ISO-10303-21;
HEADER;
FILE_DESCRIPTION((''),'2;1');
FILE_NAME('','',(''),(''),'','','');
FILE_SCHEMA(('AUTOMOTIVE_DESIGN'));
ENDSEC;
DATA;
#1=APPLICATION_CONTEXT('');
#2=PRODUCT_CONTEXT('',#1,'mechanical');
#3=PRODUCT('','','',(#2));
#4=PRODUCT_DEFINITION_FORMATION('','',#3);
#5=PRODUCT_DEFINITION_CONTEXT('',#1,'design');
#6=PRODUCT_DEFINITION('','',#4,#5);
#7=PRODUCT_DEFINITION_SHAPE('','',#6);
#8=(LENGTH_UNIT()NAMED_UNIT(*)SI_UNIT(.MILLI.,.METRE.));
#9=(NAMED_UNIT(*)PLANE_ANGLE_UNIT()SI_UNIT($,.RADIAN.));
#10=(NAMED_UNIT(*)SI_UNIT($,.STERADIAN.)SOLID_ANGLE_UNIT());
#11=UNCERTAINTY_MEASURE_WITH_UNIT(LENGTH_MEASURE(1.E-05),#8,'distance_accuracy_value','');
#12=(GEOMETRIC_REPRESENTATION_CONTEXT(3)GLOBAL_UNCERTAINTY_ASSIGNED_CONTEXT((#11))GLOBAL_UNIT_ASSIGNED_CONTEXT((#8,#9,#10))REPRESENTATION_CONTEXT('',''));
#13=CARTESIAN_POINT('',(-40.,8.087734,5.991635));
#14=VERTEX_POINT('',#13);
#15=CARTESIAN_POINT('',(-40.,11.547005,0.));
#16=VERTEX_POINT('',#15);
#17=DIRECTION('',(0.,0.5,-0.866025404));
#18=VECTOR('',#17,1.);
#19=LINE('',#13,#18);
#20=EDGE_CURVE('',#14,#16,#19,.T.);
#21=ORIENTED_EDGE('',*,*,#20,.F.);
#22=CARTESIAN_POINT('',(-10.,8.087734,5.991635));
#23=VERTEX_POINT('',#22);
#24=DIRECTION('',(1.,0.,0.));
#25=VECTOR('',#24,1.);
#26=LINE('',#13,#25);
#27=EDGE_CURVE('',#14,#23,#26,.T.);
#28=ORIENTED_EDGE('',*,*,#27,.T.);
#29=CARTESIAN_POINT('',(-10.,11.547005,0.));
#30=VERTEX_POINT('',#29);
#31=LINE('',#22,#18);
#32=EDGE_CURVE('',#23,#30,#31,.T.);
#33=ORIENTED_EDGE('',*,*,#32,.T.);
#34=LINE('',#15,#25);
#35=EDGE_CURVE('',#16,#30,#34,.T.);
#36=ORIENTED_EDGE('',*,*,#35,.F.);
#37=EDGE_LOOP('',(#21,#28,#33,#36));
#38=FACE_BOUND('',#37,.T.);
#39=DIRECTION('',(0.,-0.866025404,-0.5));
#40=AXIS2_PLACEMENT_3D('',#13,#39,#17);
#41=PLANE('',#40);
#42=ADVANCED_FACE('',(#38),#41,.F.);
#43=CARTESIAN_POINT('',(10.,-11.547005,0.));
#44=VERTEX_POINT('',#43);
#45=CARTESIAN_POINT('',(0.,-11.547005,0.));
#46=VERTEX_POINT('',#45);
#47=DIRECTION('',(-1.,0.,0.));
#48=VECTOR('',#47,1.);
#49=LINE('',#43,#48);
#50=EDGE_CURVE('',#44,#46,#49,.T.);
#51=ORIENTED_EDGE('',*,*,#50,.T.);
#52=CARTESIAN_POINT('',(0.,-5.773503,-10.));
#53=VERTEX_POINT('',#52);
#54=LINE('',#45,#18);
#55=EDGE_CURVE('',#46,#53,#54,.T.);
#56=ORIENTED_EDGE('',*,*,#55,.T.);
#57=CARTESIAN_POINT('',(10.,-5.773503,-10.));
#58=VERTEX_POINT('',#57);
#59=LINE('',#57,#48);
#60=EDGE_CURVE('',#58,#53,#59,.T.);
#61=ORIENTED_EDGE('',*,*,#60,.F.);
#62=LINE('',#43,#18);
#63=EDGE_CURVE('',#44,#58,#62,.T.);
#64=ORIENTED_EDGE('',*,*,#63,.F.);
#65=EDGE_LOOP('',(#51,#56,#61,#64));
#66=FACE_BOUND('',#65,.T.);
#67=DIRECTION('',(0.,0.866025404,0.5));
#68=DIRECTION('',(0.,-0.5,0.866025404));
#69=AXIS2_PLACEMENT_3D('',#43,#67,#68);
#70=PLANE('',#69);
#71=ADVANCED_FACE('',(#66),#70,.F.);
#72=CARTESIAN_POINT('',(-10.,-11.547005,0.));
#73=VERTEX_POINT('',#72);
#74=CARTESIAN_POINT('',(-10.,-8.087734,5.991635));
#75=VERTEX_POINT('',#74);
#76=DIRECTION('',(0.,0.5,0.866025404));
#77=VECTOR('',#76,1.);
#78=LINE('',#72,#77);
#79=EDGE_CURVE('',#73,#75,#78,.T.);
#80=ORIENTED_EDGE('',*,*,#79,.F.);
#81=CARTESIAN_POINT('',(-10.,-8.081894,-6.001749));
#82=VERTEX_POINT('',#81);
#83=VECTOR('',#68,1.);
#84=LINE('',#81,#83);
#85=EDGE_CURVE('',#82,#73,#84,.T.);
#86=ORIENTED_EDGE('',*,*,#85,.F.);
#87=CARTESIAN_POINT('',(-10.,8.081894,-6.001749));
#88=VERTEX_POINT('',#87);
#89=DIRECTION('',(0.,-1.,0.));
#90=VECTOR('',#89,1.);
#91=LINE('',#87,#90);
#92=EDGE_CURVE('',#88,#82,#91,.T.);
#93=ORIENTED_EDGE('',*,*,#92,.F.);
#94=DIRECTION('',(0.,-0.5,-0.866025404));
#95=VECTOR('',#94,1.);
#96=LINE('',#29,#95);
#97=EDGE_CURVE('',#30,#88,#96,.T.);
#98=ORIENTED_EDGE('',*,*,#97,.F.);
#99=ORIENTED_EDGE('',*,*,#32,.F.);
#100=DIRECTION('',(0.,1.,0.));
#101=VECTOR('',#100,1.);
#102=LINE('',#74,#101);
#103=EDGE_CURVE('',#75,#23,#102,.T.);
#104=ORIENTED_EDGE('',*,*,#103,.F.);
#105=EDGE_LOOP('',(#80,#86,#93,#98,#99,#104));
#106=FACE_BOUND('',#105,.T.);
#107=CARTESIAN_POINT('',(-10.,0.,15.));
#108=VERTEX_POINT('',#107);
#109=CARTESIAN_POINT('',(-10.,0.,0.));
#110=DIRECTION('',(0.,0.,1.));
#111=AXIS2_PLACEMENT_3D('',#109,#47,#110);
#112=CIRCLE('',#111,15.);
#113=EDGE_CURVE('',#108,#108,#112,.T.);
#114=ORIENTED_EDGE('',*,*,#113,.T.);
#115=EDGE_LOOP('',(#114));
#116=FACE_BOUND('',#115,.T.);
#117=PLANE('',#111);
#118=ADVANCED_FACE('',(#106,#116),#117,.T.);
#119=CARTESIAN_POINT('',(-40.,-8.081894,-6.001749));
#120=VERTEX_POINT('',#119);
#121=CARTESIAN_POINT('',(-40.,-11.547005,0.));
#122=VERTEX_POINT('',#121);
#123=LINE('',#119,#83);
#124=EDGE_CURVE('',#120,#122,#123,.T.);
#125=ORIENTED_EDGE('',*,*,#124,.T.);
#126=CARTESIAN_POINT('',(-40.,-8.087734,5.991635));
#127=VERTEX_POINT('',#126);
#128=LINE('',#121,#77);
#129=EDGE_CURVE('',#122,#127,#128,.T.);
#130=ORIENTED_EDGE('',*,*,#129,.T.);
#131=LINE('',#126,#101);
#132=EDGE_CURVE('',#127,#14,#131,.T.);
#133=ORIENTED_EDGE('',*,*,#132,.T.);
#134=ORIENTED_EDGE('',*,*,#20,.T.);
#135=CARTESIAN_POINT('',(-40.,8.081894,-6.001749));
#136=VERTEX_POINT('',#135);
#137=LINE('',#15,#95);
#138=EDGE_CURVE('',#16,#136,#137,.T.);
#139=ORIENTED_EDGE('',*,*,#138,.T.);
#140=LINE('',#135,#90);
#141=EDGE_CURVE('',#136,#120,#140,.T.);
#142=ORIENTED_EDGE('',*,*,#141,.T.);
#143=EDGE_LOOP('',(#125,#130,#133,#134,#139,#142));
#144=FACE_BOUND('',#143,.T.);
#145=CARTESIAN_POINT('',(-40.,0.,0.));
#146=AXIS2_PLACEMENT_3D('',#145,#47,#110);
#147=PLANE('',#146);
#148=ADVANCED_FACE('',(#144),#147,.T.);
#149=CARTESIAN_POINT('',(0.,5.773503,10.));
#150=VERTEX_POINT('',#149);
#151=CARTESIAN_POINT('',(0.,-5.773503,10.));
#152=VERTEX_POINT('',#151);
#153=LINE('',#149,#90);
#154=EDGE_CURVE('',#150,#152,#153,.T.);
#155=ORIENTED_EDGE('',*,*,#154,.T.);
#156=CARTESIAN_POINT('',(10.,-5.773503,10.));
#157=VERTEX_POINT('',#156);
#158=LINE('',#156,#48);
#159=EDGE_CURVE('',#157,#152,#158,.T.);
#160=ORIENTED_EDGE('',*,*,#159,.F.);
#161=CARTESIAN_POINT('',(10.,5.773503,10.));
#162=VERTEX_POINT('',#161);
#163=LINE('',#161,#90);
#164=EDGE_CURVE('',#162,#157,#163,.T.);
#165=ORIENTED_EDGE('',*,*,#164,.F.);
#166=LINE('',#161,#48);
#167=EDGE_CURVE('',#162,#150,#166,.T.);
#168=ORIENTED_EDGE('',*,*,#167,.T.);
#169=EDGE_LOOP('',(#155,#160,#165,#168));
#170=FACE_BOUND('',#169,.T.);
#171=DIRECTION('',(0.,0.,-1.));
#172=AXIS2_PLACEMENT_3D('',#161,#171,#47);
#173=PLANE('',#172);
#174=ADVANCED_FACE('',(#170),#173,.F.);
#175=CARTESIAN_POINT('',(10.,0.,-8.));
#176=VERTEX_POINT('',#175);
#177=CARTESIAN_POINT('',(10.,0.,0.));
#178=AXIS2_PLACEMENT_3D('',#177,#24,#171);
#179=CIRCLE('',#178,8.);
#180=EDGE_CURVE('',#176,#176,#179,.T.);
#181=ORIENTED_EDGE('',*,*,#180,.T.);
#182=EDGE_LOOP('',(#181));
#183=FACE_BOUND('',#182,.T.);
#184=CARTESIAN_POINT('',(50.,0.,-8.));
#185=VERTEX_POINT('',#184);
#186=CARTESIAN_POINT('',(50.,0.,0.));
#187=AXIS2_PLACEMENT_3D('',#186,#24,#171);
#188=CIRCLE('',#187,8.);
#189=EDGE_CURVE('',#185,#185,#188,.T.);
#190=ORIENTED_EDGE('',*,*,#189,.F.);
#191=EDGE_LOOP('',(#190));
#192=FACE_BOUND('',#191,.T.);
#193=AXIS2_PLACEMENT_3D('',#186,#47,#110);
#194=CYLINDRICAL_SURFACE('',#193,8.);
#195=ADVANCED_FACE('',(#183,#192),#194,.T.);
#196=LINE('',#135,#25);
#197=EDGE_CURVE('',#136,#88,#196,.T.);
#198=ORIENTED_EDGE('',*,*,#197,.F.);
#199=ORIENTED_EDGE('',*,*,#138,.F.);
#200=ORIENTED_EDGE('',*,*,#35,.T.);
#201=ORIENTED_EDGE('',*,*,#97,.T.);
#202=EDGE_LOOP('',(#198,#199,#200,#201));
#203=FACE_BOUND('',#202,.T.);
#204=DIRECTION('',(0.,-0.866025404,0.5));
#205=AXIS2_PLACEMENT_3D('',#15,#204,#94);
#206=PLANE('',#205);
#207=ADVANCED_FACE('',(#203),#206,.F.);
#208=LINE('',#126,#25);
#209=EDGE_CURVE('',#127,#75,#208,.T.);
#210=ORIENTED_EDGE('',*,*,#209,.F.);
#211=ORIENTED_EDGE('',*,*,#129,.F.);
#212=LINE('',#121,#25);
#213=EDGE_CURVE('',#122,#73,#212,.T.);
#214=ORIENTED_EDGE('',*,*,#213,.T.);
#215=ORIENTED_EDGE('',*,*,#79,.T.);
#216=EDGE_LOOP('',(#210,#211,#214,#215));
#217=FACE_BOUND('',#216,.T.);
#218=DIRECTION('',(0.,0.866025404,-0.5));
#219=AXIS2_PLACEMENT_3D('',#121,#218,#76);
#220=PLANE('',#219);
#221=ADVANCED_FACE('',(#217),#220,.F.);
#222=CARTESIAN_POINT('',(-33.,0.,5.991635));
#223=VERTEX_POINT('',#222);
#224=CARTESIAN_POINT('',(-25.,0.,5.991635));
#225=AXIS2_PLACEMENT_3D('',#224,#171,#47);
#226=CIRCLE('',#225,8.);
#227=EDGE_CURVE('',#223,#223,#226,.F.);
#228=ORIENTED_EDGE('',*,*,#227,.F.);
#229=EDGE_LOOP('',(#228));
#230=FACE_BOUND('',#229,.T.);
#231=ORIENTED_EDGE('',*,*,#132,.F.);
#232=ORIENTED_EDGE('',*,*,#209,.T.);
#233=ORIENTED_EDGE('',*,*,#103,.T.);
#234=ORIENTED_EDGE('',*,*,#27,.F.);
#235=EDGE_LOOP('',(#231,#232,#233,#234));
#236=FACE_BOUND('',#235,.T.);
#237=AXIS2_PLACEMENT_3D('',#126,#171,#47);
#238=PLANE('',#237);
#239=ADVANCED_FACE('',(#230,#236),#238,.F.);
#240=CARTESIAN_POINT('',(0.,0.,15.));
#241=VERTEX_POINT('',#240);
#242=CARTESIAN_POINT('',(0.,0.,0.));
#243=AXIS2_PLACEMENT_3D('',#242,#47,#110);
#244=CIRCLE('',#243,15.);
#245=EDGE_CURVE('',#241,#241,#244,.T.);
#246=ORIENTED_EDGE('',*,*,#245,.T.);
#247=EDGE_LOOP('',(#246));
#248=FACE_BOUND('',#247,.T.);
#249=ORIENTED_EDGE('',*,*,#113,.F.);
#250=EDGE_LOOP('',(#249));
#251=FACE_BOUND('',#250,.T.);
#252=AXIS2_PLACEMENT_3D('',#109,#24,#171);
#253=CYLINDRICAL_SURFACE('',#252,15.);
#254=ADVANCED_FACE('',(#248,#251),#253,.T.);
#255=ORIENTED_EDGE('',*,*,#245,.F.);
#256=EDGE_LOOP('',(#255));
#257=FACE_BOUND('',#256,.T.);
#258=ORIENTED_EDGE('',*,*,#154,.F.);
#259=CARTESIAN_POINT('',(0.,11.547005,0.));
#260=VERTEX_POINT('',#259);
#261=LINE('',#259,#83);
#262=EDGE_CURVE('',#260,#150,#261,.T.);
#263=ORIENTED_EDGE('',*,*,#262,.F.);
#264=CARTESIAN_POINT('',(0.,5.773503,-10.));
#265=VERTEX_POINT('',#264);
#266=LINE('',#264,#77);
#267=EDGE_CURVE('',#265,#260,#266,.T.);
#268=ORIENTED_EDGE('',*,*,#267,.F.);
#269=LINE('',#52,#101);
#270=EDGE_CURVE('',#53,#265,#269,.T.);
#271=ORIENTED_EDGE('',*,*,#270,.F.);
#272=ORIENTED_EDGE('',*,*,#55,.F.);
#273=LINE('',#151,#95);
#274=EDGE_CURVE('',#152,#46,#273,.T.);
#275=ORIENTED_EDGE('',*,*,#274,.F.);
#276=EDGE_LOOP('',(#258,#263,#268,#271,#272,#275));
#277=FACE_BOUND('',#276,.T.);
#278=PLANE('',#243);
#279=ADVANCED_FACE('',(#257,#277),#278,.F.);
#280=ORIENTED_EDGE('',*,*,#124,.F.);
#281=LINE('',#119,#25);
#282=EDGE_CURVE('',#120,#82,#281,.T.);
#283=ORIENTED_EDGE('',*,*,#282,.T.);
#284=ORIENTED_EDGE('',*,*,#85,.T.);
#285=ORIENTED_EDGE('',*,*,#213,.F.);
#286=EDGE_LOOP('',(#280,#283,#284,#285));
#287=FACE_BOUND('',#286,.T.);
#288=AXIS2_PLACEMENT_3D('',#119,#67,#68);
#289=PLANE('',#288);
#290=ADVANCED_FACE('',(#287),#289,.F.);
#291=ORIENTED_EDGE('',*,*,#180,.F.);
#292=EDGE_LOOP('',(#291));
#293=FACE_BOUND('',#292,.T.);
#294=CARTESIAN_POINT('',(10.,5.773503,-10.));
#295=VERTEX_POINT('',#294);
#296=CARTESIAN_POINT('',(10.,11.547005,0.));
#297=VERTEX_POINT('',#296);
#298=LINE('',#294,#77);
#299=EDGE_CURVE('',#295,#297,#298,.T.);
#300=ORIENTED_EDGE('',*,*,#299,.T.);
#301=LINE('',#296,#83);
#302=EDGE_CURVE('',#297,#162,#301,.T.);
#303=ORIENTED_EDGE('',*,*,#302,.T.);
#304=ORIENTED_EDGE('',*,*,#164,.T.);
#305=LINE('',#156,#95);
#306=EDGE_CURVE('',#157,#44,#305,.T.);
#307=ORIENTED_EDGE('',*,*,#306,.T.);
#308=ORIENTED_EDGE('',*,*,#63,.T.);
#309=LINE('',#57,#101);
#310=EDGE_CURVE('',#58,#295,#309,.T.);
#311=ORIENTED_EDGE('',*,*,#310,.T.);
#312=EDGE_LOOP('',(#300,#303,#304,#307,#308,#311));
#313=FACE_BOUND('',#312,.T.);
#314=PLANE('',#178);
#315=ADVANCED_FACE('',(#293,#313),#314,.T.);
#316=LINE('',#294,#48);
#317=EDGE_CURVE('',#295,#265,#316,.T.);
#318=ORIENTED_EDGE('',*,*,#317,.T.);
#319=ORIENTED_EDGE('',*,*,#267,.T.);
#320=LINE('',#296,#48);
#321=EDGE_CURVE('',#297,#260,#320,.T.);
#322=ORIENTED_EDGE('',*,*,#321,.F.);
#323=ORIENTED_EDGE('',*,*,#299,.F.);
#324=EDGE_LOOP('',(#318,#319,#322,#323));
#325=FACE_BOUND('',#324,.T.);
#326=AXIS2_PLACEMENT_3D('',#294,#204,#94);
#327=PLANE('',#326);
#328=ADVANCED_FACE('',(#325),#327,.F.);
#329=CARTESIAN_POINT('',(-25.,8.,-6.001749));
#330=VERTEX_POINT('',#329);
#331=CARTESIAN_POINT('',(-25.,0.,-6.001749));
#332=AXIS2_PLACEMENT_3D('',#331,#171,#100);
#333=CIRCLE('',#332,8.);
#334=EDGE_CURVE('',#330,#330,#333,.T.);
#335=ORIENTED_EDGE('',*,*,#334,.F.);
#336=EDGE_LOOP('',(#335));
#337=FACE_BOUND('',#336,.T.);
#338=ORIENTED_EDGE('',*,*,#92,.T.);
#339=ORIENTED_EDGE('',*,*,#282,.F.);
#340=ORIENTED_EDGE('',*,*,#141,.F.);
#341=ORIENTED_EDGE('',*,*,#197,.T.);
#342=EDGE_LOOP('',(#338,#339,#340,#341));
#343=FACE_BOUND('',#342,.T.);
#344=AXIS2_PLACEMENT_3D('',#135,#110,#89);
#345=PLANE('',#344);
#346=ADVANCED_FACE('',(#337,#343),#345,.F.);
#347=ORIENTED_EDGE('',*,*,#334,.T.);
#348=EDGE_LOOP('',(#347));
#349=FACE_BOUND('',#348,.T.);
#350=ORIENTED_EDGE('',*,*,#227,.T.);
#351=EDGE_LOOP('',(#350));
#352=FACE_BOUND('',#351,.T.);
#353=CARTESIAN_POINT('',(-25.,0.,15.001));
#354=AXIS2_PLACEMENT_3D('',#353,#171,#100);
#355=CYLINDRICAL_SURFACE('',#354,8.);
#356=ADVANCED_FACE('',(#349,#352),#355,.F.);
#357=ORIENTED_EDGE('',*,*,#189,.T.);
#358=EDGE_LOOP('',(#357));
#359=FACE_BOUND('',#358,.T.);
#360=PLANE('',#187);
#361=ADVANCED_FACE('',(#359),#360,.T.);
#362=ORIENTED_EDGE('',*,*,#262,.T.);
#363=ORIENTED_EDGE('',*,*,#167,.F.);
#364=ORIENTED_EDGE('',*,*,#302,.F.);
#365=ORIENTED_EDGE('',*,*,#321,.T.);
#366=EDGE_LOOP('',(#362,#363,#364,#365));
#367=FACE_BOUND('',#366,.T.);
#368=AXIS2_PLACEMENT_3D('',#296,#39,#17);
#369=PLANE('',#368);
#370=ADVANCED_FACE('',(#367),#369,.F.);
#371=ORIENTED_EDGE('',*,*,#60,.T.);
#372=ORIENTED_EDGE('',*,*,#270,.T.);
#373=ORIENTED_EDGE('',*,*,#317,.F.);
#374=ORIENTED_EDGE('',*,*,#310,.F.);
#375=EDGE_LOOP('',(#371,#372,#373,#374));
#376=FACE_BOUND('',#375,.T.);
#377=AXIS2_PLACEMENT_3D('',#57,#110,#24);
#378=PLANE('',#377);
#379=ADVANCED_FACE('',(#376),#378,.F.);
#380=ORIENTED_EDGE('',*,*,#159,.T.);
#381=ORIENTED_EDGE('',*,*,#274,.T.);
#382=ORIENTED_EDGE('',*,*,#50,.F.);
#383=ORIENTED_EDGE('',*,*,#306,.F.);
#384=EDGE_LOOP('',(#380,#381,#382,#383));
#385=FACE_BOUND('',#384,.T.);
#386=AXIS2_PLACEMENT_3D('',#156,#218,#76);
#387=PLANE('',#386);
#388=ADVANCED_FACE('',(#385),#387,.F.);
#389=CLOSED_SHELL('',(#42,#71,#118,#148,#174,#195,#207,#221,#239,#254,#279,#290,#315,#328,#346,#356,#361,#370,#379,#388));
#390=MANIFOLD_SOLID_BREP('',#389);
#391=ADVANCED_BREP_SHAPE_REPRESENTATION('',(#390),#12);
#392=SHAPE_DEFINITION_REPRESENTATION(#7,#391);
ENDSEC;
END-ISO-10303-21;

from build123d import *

# Parameters (mm, degrees)
EXTRUDE_1_DEPTH     = 10
SKETCH_2_R          = 8
EXTRUDE_2_DEPTH     = 40
SKETCH_5_R          = 15
EXTRUDE_4_DEPTH     = 10
EXTRUDE_3_DEPTH     = 30
CUT_EXTRUDE_1_REACH = 23.002
SKETCH_4_R          = 8


with BuildPart() as part:
    # Эскиз1 → Бобышка-Вытянуть1 (new body)
    with BuildSketch(Plane(origin=(0, 0, 0), x_dir=(0, 0, -1), z_dir=(1, 0, 0))):
        Polygon((0, 11.547005384), (-10, 5.773502692), (-10, -5.773502692), (0, -11.547005384), (10, -5.773502692), (10, 5.773502692), align=None)
    extrude(amount=EXTRUDE_1_DEPTH)

    # Эскиз2 → Бобышка-Вытянуть2 (add)
    with BuildSketch(Plane(origin=(10, 0, 0), x_dir=(0, 0, -1), z_dir=(1, 0, 0))):
        Circle(SKETCH_2_R)
    extrude(amount=EXTRUDE_2_DEPTH)

    # Эскиз5 → Бобышка-Вытянуть4 (add)
    with BuildSketch(Plane.ZY):
        Circle(SKETCH_5_R)
    extrude(amount=EXTRUDE_4_DEPTH)

    # Эскиз3 → Бобышка-Вытянуть3 (add)
    with BuildSketch(Plane.ZY.offset(10)):
        Polygon((0, 11.547005384), (-6.001748602, 8.081894213), (-6.001748602, -8.081894213), (0, -11.547005384), (5.991634546, -8.087733566), (5.991634546, 8.087733566), align=None)
    extrude(amount=EXTRUDE_3_DEPTH)

    # Эскиз4 → Вырез-Вытянуть1 (cut, up to next)
    with BuildSketch(Plane(origin=(0, 0, -6.001748602), x_dir=(-1, 0, 0), z_dir=(0, 0, -1)), mode=Mode.PRIVATE) as cut_extrude_1_sk1:
        with Locations((25, 0)):
            Circle(SKETCH_4_R)
    cut_extrude_1_tool1 = extrude(cut_extrude_1_sk1.sketch, amount=-CUT_EXTRUDE_1_REACH, mode=Mode.PRIVATE) & part.part
    add(cut_extrude_1_tool1.solids().sort_by_distance((-25, 0, -6.001749))[0], mode=Mode.SUBTRACT)


solid = part.part
